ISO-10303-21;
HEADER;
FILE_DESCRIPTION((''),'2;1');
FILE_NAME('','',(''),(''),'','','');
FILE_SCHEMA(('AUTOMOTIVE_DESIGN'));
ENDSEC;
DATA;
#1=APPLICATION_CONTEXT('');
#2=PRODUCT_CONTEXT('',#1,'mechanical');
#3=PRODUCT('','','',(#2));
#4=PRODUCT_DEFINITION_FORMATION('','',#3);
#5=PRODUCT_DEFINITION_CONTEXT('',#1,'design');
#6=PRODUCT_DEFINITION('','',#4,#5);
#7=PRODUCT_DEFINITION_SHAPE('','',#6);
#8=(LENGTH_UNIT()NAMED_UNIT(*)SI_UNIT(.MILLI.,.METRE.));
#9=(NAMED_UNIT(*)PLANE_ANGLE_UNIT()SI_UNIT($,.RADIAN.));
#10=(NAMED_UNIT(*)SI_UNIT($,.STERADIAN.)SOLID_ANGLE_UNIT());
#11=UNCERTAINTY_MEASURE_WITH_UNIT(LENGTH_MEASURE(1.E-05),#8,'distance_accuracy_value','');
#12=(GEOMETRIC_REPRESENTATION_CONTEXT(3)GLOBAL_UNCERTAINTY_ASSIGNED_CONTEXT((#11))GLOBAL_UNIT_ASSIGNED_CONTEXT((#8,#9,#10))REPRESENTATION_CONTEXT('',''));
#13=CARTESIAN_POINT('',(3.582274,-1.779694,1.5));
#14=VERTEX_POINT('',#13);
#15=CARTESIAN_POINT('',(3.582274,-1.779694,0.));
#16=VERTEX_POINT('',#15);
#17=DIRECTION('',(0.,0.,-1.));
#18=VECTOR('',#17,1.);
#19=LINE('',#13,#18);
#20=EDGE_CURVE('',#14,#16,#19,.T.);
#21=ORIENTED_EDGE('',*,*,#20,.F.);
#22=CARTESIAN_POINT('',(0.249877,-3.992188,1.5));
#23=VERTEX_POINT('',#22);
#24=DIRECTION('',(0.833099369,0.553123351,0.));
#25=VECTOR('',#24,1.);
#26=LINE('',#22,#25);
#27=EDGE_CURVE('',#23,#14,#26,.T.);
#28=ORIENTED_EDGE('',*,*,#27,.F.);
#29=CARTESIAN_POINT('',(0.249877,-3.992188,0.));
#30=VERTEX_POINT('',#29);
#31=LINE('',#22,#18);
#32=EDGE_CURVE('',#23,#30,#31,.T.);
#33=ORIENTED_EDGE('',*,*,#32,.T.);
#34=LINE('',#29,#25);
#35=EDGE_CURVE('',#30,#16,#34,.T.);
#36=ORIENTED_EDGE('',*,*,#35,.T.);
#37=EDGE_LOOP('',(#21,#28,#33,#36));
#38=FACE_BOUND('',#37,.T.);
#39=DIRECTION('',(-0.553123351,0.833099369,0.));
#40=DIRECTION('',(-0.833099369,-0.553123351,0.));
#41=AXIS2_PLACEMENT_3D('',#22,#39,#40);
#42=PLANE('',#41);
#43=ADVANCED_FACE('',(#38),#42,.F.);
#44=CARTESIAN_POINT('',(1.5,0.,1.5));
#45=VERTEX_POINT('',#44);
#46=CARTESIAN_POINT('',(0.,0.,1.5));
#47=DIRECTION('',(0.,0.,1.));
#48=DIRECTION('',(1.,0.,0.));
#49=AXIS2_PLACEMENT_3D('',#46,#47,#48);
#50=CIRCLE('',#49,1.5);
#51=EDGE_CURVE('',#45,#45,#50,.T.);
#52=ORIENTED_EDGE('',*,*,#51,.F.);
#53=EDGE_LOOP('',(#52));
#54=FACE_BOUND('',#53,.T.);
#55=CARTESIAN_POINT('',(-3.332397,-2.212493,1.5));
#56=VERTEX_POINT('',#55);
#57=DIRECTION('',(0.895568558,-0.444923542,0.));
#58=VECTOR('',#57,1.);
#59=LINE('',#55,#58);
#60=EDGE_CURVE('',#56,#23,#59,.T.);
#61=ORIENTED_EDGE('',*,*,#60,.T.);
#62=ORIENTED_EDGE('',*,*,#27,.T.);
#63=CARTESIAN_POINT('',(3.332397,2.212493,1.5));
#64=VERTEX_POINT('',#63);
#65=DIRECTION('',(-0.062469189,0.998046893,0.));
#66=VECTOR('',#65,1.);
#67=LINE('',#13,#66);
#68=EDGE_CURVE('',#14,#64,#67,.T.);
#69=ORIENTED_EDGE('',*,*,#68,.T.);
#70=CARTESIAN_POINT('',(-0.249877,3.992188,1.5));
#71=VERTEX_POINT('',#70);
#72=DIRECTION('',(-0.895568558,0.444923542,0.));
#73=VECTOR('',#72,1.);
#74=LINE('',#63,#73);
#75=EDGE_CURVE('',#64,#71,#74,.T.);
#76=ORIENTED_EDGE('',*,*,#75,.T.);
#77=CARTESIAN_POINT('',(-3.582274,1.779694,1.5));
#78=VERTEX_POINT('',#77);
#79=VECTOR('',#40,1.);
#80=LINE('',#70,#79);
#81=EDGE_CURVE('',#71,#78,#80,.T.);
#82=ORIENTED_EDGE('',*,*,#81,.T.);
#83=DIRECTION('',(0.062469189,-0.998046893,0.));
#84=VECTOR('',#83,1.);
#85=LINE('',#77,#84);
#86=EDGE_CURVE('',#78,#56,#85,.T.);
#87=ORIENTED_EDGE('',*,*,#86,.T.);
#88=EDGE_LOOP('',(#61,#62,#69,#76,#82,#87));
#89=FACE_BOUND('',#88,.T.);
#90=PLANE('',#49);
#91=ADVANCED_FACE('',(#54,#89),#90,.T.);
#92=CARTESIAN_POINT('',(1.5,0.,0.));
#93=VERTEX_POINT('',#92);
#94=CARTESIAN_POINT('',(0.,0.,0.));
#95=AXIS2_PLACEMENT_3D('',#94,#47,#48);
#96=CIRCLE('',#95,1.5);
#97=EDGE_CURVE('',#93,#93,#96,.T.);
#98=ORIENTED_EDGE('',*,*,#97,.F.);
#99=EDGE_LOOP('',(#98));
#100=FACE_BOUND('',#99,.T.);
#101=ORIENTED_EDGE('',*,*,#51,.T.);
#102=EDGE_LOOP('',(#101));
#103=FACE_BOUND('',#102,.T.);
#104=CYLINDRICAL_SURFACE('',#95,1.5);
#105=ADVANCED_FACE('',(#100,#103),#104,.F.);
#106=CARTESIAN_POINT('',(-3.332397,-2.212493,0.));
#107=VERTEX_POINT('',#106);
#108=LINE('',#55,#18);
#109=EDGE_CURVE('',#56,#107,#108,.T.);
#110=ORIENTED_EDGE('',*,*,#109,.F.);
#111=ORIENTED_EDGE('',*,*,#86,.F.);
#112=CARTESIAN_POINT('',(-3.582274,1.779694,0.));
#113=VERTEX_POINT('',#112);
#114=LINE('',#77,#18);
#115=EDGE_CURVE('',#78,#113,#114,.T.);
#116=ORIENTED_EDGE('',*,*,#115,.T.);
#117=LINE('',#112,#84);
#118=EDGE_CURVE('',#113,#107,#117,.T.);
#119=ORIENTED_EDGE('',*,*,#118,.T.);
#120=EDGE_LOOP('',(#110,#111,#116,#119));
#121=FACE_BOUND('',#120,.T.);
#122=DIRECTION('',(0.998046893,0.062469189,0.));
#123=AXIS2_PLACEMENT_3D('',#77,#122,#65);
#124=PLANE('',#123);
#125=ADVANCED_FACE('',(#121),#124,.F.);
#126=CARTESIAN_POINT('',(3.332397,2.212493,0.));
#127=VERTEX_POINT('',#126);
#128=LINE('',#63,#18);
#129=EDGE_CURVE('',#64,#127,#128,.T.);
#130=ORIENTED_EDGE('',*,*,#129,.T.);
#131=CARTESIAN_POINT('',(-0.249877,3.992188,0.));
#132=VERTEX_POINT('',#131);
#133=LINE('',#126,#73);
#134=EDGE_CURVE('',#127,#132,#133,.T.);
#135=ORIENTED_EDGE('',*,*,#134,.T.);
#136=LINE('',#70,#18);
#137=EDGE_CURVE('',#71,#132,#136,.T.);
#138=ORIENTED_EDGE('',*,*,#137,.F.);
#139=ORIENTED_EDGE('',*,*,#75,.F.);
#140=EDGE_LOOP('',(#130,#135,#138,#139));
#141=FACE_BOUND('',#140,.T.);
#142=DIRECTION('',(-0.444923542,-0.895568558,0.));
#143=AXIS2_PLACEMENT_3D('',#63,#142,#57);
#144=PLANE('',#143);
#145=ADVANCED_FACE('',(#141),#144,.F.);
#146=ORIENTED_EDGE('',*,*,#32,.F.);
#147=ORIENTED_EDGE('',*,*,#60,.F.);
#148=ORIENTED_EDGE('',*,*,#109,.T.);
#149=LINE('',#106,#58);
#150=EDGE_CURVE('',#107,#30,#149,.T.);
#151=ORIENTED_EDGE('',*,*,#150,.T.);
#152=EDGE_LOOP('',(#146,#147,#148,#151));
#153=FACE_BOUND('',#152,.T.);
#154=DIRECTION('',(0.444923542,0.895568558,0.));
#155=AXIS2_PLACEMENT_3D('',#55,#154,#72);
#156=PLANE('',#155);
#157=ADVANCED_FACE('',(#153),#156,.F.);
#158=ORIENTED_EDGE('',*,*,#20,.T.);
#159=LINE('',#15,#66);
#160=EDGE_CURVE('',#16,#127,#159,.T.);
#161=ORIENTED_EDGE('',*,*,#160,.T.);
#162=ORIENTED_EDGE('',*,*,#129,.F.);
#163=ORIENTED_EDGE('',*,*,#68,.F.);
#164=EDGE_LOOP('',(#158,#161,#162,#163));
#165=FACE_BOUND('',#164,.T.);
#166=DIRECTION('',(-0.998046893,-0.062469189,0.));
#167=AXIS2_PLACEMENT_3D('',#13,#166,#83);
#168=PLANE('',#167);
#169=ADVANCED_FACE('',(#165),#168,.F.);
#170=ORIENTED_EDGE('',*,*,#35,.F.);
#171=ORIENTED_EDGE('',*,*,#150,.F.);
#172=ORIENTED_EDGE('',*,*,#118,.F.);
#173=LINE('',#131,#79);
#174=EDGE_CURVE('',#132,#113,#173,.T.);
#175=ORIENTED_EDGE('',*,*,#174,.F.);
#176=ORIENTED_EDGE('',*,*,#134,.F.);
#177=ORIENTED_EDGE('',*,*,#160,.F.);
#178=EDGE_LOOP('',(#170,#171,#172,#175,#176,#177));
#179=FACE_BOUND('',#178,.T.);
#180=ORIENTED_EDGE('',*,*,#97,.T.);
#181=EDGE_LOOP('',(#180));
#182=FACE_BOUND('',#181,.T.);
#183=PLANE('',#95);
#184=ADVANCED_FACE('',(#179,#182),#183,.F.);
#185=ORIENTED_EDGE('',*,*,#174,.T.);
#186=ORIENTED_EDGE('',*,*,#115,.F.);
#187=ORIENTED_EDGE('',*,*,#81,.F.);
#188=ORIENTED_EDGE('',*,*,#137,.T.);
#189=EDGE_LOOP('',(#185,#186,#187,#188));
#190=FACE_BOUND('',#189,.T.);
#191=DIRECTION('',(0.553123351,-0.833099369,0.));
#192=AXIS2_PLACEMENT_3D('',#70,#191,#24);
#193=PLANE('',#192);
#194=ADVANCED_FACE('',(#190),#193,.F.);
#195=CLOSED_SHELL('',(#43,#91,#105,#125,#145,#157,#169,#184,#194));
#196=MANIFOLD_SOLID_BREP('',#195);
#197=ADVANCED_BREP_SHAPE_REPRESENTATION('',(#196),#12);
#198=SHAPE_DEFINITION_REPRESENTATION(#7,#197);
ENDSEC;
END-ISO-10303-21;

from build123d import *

# Parameters (mm, degrees)
BOSS_EXTRUDE1_DEPTH = 1.5
SKETCH2_R           = 1.5
CUT_EXTRUDE1_DEPTH  = 2.5


with BuildPart() as part:
    # Sketch1 → Boss-Extrude1 (new body)
    with BuildSketch(Plane.XY):
        Polygon((-3.332397475, -2.212493405), (0.249876757, -3.992187572), (3.582274232, -1.779694166), (3.332397475, 2.212493405), (-0.249876757, 3.992187572), (-3.582274232, 1.779694166), align=None)
    extrude(amount=BOSS_EXTRUDE1_DEPTH)

    # Sketch2 → Cut-Extrude1 (cut, through all)
    with BuildSketch(Plane.XY.offset(1.5)):
        Circle(SKETCH2_R)
    extrude(amount=-CUT_EXTRUDE1_DEPTH, mode=Mode.SUBTRACT)


solid = part.part
